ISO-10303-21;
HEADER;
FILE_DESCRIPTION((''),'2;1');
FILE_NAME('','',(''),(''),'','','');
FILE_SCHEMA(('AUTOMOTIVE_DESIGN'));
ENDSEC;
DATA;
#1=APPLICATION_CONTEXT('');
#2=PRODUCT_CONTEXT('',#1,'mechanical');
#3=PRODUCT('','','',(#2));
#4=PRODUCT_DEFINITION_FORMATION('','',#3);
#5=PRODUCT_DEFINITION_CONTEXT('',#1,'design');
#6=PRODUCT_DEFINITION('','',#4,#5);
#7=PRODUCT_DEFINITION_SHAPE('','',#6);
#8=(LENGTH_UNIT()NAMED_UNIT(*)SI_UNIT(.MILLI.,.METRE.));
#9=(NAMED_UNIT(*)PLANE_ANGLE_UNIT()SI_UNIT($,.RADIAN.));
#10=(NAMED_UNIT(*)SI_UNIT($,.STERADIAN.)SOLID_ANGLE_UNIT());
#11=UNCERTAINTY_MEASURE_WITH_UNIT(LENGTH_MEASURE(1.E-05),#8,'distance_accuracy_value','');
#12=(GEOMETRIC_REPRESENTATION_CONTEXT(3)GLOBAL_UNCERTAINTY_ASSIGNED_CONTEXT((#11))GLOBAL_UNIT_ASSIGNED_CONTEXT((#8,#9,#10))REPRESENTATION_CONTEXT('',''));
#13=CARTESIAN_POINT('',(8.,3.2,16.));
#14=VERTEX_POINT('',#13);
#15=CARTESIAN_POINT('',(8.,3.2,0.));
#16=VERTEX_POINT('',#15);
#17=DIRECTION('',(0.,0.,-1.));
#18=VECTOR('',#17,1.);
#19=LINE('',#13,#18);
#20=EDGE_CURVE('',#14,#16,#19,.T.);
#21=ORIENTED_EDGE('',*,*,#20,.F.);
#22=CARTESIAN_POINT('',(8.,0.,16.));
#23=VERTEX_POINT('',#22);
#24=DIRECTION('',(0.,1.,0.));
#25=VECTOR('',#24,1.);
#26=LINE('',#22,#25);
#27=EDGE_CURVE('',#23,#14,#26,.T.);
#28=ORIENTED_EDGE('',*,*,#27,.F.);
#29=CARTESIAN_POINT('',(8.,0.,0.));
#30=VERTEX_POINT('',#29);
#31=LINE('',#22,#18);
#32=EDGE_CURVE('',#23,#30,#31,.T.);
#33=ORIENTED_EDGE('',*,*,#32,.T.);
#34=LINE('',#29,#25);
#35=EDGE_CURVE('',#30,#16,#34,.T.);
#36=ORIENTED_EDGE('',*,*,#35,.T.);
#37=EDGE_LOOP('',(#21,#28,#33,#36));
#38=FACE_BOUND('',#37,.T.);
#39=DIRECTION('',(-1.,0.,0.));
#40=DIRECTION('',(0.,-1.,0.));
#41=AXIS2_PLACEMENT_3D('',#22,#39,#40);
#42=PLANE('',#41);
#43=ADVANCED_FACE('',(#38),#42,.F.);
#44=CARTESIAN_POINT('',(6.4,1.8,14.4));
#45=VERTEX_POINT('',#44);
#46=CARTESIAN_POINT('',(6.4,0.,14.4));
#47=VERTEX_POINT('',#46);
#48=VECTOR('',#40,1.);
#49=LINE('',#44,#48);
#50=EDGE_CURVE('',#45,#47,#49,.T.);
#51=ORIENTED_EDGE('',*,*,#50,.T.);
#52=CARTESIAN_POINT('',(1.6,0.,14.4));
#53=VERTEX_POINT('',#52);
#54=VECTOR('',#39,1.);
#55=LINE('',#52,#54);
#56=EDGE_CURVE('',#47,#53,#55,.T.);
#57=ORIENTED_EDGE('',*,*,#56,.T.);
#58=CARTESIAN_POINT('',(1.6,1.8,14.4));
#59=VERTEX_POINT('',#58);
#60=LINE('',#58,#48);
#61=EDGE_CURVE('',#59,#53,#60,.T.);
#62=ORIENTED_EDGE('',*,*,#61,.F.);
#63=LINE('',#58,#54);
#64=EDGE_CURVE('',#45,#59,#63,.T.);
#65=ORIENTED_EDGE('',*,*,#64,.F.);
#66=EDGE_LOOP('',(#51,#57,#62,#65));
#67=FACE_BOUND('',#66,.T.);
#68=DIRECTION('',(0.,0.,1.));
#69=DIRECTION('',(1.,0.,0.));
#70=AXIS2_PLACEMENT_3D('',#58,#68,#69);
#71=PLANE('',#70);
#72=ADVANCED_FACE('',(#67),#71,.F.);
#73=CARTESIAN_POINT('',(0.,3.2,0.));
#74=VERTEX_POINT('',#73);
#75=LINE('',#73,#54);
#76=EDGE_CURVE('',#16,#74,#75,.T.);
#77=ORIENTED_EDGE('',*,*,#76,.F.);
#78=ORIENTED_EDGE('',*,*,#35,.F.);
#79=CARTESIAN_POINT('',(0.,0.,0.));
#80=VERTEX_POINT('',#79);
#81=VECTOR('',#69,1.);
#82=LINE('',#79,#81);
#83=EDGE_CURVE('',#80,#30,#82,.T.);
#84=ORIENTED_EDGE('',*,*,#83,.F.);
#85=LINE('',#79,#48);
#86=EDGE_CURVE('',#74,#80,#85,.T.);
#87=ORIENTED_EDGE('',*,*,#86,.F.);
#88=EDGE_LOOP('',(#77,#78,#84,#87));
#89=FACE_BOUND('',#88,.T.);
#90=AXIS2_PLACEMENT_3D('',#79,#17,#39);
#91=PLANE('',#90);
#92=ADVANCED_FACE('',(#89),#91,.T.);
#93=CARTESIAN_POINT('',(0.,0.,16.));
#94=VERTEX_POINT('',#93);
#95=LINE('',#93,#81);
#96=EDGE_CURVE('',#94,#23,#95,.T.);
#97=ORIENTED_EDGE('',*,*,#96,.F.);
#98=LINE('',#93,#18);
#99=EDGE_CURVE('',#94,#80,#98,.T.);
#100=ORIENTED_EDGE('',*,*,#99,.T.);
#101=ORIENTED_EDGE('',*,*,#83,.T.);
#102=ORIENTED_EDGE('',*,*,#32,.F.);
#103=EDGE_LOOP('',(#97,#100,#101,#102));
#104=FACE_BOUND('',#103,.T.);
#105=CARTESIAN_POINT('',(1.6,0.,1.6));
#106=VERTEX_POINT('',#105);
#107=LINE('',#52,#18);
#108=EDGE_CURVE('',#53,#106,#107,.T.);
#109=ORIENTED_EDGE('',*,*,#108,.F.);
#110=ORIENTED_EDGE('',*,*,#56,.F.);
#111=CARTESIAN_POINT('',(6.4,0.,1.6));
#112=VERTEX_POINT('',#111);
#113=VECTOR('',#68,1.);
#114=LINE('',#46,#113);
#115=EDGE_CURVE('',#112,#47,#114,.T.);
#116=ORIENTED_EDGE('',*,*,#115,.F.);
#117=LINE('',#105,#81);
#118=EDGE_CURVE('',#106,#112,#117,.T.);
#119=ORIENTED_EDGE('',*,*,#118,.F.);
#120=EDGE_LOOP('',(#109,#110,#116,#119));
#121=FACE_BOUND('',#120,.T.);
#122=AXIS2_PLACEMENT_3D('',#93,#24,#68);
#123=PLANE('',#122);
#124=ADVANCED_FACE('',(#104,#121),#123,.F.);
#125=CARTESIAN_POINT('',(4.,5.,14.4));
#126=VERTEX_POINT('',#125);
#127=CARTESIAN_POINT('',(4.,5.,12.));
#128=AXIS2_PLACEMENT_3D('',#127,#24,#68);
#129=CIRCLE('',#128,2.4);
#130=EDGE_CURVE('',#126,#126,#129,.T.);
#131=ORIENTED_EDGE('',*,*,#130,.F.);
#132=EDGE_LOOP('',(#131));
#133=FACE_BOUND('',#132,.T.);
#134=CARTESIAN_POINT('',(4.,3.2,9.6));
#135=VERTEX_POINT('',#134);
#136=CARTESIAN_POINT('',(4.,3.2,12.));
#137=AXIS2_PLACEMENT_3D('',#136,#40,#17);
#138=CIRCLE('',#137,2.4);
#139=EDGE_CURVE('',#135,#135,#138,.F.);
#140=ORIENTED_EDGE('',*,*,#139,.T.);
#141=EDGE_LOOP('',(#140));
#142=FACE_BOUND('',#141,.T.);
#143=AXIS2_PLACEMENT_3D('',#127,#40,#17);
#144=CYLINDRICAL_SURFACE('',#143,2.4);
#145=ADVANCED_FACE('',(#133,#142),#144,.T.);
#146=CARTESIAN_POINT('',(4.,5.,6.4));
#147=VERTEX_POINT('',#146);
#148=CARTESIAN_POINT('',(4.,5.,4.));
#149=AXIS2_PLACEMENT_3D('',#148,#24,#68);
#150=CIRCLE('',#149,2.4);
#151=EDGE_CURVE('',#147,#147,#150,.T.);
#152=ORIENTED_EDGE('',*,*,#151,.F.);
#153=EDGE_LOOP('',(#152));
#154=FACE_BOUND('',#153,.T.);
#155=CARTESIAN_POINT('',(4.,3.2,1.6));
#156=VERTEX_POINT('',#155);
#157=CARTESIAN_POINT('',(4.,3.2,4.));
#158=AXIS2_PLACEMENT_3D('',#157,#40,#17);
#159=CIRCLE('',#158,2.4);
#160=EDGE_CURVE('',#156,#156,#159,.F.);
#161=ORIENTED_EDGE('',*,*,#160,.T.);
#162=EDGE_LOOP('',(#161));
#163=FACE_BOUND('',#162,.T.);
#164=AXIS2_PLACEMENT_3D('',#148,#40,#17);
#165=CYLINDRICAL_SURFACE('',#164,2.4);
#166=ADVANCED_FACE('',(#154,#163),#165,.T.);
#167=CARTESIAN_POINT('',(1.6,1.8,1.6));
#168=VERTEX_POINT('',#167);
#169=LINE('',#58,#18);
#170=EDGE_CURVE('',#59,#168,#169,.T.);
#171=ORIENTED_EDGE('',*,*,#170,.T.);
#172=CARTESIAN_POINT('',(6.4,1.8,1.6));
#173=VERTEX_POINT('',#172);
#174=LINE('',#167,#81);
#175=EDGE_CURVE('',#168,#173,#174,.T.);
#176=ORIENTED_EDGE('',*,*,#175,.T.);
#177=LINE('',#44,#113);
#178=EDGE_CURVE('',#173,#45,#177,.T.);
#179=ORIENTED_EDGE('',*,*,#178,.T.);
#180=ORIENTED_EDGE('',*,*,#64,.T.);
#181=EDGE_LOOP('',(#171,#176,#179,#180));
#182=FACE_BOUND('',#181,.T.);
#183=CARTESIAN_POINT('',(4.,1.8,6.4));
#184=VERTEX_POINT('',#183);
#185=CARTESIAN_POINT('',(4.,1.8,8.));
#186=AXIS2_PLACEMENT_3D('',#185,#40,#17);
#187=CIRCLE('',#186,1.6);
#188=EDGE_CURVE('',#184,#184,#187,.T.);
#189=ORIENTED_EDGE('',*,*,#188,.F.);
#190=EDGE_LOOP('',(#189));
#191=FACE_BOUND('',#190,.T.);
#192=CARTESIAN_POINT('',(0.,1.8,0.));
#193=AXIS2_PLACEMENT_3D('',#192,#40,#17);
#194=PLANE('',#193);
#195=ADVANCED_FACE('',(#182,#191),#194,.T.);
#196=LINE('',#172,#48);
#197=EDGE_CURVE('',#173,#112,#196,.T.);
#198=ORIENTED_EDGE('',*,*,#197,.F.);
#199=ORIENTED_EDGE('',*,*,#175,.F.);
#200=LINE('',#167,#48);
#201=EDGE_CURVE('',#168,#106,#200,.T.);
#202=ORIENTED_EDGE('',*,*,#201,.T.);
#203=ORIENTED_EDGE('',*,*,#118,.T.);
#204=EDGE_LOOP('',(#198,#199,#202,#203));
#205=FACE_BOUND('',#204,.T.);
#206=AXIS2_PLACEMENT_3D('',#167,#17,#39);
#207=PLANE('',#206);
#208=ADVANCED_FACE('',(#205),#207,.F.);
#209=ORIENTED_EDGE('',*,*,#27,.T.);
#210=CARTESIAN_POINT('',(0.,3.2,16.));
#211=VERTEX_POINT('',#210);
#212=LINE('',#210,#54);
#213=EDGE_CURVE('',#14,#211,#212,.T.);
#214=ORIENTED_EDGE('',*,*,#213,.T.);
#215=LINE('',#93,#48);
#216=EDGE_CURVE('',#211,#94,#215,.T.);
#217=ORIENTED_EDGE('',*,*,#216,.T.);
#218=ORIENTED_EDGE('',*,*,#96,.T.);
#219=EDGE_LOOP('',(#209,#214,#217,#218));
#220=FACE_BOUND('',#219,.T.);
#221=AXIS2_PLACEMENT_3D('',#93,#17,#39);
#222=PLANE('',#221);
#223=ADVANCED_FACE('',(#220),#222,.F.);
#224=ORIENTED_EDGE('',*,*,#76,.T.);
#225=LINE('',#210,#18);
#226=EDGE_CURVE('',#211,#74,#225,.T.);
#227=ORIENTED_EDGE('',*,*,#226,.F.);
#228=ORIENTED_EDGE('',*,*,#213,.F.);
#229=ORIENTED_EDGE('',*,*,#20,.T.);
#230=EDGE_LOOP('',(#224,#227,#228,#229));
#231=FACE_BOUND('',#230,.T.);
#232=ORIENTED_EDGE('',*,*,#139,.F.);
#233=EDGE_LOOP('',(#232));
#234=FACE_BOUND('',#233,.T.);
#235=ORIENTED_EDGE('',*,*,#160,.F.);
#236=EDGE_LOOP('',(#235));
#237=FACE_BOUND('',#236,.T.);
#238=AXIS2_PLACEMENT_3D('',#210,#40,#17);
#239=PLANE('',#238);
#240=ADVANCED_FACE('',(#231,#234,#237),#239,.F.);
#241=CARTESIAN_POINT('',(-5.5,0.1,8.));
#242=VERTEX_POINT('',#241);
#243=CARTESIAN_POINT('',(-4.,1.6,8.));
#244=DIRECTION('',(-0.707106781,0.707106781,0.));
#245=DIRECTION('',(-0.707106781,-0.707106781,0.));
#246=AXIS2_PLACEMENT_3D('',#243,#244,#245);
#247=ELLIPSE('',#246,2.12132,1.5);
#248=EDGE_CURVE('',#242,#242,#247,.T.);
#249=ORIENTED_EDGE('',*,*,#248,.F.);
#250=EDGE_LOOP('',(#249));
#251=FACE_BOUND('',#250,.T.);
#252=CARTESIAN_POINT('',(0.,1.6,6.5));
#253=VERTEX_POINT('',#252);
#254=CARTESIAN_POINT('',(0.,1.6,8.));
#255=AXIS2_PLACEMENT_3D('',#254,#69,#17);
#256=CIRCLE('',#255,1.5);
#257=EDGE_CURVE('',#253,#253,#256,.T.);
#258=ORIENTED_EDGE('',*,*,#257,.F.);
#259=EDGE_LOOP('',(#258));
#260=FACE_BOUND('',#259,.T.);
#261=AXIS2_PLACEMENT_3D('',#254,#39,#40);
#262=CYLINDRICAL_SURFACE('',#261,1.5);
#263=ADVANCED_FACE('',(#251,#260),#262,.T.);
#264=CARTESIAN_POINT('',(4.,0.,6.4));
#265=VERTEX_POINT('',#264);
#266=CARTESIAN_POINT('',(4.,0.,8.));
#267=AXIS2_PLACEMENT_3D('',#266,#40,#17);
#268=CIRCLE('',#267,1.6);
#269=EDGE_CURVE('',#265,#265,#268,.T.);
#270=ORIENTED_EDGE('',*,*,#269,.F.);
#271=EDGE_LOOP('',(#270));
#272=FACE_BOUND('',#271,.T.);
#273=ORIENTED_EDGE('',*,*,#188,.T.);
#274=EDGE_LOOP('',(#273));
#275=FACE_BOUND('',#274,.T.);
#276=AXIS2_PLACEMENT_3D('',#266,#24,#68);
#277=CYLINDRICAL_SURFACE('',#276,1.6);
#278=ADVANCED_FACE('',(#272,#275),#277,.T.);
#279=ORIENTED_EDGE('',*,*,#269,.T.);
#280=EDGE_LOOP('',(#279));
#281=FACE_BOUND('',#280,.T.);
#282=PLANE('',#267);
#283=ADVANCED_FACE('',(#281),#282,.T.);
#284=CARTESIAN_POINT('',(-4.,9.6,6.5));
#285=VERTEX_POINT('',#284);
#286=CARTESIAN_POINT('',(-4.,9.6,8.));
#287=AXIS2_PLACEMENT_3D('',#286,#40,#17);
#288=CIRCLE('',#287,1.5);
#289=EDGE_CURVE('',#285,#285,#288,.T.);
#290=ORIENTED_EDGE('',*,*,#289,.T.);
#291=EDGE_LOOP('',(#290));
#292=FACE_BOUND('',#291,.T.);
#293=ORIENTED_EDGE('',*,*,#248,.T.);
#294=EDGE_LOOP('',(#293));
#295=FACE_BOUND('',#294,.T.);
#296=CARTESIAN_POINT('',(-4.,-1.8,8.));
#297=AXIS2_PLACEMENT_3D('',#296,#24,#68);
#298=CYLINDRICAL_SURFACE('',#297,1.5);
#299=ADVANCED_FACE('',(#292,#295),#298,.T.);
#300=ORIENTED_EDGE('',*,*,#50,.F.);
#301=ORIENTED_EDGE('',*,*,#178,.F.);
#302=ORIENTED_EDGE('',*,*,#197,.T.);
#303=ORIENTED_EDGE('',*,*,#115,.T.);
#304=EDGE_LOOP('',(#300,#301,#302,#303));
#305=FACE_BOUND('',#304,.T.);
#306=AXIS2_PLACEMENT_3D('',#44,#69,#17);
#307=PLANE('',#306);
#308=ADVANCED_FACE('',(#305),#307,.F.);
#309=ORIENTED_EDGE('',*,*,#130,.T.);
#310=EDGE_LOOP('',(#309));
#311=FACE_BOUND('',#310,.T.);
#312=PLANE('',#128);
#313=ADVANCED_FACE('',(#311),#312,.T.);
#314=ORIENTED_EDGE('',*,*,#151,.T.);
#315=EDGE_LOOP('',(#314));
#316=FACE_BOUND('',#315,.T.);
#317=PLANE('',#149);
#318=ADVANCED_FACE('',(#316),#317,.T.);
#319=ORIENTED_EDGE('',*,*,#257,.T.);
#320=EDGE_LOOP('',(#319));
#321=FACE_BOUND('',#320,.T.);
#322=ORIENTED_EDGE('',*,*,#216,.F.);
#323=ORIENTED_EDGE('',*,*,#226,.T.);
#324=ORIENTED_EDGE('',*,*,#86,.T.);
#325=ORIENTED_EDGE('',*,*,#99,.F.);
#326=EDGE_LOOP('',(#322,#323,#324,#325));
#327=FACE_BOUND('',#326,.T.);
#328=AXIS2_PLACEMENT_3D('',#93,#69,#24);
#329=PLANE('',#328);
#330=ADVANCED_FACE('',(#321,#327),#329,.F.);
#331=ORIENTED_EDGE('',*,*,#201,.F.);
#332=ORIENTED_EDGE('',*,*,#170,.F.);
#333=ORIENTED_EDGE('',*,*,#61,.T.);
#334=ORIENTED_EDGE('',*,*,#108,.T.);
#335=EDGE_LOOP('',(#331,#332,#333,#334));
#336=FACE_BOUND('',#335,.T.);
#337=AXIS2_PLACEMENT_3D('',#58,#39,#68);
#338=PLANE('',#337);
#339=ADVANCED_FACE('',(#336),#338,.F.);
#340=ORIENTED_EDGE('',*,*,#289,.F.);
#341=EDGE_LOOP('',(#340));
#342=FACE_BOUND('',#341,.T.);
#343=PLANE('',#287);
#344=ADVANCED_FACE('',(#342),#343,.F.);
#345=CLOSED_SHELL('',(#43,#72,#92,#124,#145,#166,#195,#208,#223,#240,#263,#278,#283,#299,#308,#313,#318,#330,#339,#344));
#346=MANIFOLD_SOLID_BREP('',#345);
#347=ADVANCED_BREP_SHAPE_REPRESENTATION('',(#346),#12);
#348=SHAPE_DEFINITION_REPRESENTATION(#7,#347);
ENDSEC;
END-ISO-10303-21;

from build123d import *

# Parameters (mm, degrees)
SKETCH1_W           = 8
SKETCH1_H           = 3.2
BOSS_EXTRUDE1_DEPTH = 16
SKETCH2_W           = 4.8
SKETCH2_H           = 12.8
CUT_EXTRUDE1_DEPTH  = 1.8
SKETCH3_R           = 2.4
BOSS_EXTRUDE2_DEPTH = 1.8
SKETCH4_R           = 1.6
BOSS_EXTRUDE3_DEPTH = 1.8
SWEEP1_PROFILE_R    = 1.5


with BuildPart() as part:
    # Sketch1 → Boss-Extrude1 (new body)
    with BuildSketch(Plane.XY):
        with Locations((4, 1.6)):
            Rectangle(SKETCH1_W, SKETCH1_H)
    extrude(amount=BOSS_EXTRUDE1_DEPTH)

    # Sketch2 → Cut-Extrude1 (cut)
    with BuildSketch(Plane.XZ):
        with Locations((4, 8)):
            Rectangle(SKETCH2_W, SKETCH2_H)
    extrude(amount=-CUT_EXTRUDE1_DEPTH, mode=Mode.SUBTRACT)

    # Sketch3 → Boss-Extrude2 (add)
    with BuildSketch(Plane(origin=(0, 3.2, 0), x_dir=(1, 0, 0), z_dir=(0, 1, 0))):
        with Locations((4, -4)):
            Circle(SKETCH3_R)
        with Locations((4, -12)):
            Circle(SKETCH3_R)
    extrude(amount=BOSS_EXTRUDE2_DEPTH)

    # Sketch4 → Boss-Extrude3 (add)
    with BuildSketch(Plane.XZ.offset(-1.8)):
        with Locations((4, 8)):
            Circle(SKETCH4_R)
    extrude(amount=BOSS_EXTRUDE3_DEPTH)

    # Sweep1: sweep along a path in Sketch6
    with BuildLine(Plane.XY.offset(8)) as sweep1_path:
        Line((0, 1.6), (-4, 1.6))
        Line((-4, 1.6), (-4, 9.6))
    # Sweep1 profile (on start of the path) → Sweep1 (sweep)
    with BuildSketch(Plane(origin=(0, 1.6, 8), x_dir=(0, -1, 0), z_dir=(-1, 0, 0))):
        Circle(SWEEP1_PROFILE_R)
    sweep(path=sweep1_path.line, transition=Transition.RIGHT)


solid = part.part
